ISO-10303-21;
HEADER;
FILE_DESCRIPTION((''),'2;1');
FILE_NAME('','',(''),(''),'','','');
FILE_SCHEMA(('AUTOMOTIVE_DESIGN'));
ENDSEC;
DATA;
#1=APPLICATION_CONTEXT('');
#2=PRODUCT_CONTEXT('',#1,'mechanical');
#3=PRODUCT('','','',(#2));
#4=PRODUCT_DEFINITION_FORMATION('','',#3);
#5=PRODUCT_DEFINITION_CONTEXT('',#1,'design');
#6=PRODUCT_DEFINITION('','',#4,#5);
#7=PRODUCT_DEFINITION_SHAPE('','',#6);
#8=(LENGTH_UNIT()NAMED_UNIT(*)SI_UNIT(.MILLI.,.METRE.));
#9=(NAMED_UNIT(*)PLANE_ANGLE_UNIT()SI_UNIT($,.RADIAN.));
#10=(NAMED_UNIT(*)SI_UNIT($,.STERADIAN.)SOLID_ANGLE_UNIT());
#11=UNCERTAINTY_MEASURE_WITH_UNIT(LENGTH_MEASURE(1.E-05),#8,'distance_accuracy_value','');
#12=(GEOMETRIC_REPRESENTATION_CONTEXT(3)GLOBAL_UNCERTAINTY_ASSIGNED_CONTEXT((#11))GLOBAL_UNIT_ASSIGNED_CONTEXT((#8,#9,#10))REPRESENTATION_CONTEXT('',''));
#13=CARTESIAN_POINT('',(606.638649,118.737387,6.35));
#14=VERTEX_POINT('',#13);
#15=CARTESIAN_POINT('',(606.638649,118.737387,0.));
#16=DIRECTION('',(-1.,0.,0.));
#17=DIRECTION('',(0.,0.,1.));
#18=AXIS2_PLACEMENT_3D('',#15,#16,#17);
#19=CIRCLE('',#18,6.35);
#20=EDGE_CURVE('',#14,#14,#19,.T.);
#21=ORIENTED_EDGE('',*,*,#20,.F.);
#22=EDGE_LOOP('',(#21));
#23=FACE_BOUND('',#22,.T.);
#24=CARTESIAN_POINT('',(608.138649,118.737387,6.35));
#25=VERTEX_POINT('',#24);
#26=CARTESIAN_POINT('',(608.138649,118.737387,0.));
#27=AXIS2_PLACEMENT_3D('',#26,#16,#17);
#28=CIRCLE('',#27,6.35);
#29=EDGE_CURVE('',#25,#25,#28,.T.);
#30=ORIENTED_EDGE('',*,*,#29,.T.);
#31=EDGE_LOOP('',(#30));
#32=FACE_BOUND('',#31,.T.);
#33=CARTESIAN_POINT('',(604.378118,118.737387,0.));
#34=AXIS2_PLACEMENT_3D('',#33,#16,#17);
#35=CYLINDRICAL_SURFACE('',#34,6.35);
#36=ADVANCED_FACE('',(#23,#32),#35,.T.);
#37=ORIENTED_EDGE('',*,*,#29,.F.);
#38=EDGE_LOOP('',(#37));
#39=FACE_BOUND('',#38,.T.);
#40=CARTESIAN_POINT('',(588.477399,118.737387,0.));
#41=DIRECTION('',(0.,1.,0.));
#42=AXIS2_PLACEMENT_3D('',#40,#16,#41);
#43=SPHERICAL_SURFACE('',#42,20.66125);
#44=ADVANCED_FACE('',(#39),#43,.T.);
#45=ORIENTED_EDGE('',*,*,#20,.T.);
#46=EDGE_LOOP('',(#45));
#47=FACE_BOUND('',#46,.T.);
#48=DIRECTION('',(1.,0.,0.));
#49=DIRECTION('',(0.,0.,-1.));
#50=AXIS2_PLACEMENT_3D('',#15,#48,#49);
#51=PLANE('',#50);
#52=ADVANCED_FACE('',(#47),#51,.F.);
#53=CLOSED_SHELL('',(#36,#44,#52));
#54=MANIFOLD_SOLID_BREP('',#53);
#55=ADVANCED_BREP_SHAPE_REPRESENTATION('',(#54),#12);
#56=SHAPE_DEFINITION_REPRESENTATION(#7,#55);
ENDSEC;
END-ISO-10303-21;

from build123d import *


with BuildPart() as part:
    # 草图1 → 旋转1 (revolve)
    with BuildSketch(Plane.XY):
        with BuildLine():
            Line((606.638649393, 118.737386698), (606.638649393, 125.087386698))
            Line((606.638649393, 125.087386698), (608.138649393, 125.087386698))
            ThreePointArc((608.138649393, 125.087386698), (608.887118317, 121.951515662), (609.138649393, 118.737386698))
            Line((609.138649393, 118.737386698), (606.638649393, 118.737386698))
        make_face()
    revolve(axis=Axis((604.378118247, 118.737386698, 0), (1, 0, 0)))


solid = part.part
